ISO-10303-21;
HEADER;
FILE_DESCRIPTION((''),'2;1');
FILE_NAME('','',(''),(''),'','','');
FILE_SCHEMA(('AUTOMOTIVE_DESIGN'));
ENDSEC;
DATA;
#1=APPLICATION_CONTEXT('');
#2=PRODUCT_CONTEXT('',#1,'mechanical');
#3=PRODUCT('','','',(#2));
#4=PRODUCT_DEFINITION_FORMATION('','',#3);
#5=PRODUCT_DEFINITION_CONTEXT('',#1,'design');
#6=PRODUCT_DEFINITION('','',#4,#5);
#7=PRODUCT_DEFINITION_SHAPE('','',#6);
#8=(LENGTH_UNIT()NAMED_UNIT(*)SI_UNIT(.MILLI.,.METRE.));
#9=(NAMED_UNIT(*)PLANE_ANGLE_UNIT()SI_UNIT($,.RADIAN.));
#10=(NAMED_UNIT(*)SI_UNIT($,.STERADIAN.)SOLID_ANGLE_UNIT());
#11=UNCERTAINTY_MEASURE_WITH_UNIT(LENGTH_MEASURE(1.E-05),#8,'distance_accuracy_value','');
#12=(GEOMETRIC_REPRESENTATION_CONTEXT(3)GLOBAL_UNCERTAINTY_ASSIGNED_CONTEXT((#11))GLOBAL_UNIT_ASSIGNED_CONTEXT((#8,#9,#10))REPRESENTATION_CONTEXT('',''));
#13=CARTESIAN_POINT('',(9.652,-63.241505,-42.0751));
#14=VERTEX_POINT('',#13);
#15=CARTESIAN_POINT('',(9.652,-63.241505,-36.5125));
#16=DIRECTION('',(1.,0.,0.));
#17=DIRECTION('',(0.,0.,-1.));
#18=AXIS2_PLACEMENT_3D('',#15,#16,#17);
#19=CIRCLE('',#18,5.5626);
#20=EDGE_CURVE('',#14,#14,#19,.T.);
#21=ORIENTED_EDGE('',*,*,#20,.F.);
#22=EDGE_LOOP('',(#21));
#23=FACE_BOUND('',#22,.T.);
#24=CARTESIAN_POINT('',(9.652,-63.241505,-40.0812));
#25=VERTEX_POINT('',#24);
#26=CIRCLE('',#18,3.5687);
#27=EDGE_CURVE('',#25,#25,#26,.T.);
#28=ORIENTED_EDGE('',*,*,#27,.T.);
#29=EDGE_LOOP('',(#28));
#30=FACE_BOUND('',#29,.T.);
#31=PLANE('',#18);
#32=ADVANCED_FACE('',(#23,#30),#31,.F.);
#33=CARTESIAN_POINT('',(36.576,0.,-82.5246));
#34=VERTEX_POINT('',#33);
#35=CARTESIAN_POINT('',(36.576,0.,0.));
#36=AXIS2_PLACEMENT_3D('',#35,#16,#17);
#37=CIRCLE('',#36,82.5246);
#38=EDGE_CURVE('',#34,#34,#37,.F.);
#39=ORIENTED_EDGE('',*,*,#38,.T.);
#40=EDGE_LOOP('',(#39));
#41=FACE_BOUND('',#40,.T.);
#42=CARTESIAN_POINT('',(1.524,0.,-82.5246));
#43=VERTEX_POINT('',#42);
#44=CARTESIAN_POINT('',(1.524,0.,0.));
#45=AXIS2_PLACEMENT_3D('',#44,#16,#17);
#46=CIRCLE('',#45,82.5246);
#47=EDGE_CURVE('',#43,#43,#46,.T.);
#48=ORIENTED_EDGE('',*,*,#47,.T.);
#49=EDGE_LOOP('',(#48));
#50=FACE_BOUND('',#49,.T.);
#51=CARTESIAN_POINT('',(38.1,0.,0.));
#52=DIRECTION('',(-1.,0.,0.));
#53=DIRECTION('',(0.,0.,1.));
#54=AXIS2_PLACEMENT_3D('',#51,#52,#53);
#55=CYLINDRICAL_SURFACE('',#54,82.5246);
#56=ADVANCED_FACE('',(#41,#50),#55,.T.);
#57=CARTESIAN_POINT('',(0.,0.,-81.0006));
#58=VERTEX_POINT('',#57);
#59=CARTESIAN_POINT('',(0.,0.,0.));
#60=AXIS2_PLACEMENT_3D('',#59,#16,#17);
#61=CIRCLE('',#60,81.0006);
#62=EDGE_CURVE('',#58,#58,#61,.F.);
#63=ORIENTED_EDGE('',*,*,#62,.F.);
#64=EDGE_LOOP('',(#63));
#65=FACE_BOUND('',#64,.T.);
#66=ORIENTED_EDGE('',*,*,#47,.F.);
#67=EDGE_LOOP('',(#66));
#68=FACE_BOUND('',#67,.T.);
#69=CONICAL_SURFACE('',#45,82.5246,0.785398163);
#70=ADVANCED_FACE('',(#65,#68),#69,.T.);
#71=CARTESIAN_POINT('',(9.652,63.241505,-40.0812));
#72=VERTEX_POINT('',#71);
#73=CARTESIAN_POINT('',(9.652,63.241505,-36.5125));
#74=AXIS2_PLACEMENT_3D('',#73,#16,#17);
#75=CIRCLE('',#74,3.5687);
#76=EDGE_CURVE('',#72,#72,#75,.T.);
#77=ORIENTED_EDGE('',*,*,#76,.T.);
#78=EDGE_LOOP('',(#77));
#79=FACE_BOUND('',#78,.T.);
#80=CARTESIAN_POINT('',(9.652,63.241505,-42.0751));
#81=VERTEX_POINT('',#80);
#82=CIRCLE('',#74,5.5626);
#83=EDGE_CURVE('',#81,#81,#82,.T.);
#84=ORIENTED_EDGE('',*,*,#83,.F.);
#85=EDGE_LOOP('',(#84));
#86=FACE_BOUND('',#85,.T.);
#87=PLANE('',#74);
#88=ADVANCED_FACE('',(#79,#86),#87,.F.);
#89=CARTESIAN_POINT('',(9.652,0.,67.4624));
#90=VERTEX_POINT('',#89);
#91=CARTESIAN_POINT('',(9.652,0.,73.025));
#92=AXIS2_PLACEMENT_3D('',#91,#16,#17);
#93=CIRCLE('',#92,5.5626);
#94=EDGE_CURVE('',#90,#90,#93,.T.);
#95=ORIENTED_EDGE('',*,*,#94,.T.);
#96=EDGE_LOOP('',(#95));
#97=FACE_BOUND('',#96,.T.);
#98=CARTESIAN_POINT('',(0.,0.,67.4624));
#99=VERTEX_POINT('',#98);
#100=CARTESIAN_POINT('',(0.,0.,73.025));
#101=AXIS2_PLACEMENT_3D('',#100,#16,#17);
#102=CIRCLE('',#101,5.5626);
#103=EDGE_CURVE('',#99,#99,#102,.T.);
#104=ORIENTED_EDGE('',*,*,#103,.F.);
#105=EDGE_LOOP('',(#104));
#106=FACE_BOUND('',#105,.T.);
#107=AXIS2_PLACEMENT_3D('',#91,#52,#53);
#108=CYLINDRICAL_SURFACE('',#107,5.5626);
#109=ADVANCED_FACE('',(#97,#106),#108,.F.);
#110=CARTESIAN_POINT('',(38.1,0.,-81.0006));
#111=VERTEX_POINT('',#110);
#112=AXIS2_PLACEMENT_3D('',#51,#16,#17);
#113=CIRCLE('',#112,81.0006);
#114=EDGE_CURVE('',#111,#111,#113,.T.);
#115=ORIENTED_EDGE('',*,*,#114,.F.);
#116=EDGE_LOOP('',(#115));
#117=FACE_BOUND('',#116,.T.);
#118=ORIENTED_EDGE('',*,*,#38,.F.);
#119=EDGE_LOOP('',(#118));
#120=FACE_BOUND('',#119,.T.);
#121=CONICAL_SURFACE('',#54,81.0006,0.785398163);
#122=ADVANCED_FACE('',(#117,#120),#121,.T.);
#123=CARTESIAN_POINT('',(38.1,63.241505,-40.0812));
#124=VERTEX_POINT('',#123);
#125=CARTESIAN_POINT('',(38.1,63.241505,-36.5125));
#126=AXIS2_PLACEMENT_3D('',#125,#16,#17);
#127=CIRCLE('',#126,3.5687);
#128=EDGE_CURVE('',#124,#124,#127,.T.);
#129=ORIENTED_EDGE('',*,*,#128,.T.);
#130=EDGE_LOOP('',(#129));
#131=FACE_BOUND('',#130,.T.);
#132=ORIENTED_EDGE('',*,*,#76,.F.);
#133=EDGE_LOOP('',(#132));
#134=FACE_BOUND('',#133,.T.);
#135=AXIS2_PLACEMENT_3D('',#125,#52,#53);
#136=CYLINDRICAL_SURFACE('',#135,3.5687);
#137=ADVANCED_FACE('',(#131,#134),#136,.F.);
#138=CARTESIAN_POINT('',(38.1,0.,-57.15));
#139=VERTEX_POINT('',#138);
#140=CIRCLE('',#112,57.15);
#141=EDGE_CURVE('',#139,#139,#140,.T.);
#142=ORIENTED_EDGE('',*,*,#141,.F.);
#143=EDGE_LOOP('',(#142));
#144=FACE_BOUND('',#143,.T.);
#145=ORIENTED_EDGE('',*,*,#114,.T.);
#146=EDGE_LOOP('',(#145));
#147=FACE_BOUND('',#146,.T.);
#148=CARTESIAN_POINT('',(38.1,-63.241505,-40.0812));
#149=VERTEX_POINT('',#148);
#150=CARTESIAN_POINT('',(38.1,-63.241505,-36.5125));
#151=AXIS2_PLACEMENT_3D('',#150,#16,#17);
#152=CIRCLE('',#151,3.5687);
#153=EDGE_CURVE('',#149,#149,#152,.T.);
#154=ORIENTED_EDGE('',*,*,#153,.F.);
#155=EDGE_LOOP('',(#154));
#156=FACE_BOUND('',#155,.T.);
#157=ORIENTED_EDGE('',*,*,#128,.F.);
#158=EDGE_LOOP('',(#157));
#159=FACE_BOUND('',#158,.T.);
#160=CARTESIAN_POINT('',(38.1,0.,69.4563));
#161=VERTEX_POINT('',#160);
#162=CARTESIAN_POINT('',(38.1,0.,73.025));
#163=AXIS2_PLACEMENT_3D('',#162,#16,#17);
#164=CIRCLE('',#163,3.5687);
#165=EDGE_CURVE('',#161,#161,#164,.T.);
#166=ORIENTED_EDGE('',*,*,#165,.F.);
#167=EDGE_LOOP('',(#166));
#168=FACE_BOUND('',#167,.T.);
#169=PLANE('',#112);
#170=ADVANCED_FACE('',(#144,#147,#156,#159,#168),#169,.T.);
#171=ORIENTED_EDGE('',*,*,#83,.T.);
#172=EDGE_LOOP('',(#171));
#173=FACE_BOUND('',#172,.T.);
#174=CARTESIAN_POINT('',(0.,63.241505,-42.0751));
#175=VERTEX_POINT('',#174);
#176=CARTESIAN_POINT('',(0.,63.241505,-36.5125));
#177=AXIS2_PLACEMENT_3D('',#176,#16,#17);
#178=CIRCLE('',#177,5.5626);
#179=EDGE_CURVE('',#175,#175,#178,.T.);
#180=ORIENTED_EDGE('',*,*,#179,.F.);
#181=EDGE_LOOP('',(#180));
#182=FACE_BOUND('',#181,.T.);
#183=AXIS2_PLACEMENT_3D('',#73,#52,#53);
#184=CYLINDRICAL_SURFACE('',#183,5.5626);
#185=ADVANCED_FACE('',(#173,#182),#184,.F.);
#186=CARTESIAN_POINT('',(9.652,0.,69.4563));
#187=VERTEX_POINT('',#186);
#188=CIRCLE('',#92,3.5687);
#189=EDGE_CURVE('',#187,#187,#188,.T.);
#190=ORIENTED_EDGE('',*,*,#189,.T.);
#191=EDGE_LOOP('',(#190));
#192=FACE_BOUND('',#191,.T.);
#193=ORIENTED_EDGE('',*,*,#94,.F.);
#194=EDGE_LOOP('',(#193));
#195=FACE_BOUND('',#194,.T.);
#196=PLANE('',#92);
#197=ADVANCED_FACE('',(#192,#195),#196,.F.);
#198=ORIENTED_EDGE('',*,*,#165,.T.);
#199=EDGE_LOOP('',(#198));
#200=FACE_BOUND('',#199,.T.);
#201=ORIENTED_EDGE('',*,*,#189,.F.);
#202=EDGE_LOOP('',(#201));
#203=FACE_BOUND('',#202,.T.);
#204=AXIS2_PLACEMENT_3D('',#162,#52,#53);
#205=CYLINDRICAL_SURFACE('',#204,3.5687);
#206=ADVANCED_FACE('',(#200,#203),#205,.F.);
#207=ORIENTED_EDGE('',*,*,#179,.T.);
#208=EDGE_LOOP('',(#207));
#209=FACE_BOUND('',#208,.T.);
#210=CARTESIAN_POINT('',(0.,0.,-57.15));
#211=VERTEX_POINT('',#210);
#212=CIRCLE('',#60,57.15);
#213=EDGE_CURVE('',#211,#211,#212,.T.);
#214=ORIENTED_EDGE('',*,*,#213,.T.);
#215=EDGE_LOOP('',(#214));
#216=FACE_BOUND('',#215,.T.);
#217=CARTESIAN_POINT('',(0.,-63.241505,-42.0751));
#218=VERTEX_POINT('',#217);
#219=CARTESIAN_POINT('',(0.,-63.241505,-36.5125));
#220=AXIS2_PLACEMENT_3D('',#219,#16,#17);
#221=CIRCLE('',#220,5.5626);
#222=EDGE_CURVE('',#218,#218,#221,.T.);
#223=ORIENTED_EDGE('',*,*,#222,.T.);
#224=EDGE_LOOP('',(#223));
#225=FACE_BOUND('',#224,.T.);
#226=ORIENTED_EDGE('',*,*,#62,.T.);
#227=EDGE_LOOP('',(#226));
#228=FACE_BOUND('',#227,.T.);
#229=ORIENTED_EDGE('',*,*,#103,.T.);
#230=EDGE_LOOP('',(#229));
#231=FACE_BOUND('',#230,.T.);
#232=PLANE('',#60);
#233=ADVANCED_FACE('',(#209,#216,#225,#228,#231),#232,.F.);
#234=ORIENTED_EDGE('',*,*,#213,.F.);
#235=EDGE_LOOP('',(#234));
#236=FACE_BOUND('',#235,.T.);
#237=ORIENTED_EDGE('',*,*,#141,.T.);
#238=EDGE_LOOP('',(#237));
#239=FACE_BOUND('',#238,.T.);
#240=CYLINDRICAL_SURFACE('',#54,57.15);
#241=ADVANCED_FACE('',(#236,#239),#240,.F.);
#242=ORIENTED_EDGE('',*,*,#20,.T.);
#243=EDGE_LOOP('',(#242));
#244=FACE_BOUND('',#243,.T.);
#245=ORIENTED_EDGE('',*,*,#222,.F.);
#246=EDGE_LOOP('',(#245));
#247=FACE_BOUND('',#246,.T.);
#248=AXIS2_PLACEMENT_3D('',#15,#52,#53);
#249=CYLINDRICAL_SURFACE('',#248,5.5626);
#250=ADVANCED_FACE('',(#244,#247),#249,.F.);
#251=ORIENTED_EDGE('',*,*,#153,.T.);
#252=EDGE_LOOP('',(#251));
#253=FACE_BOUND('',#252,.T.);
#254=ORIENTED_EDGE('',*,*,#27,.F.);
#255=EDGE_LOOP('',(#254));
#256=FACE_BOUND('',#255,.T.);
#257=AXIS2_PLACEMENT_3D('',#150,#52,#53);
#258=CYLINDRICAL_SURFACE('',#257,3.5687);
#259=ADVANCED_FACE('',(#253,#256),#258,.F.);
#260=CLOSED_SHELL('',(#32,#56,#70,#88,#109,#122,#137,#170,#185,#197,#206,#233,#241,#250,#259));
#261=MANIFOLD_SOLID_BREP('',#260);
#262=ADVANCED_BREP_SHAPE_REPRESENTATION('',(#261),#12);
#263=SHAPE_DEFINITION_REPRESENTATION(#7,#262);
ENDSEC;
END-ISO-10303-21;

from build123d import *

# Parameters (mm, degrees)
SKETCH1_R           = 82.5246
BOSS_EXTRUDE1_DEPTH = 38.1
SKETCH2_R           = 57.15
CUT_EXTRUDE1_DEPTH  = 38.1
SKETCH3_R           = 3.5687
CUT_EXTRUDE3_DEPTH  = 123.769007532
SKETCH4_R           = 5.5626
CUT_EXTRUDE4_DEPTH  = 9.652
CHAMFER1_SIZE       = 1.524


with BuildPart() as part:
    # Sketch1 → Boss-Extrude1 (new body)
    with BuildSketch(Plane.YZ):
        with Locations(Location((0, 0, 0), (0, 0, 270))):
            Circle(SKETCH1_R)
    extrude(amount=BOSS_EXTRUDE1_DEPTH)

    # Sketch2 → Cut-Extrude1 (cut)
    with BuildSketch(Plane.YZ):
        with Locations(Location((0, 0, 0), (0, 0, 270))):
            Circle(SKETCH2_R)
    extrude(amount=CUT_EXTRUDE1_DEPTH, mode=Mode.SUBTRACT)

    # Sketch3 → Cut-Extrude3 (cut, through all)
    with BuildSketch(Plane.YZ):
        with Locations(Location((0, 73.025, 0), (0, 0, 270))):
            Circle(SKETCH3_R)
        with Locations(Location((-63.241505111, -36.5125, 0), (0, 0, 270))):
            Circle(SKETCH3_R)
        with Locations(Location((63.241505111, -36.5125, 0), (0, 0, 270))):
            Circle(SKETCH3_R)
    extrude(amount=CUT_EXTRUDE3_DEPTH, mode=Mode.SUBTRACT)

    # Sketch4 → Cut-Extrude4 (cut)
    with BuildSketch(Plane.YZ):
        with Locations(Location((0, 73.025, 0), (0, 0, 270))):
            Circle(SKETCH4_R)
        with Locations(Location((-63.241505111, -36.5125, 0), (0, 0, 270))):
            Circle(SKETCH4_R)
        with Locations(Location((63.241505111, -36.5125, 0), (0, 0, 270))):
            Circle(SKETCH4_R)
    extrude(amount=CUT_EXTRUDE4_DEPTH, mode=Mode.SUBTRACT)

    # Chamfer1
    chamfer1_edges = [part.edges().sort_by_distance(p)[0] for p in [
        (0, 0, 82.5246),
        (38.1, 0, 82.5246),
    ]]
    chamfer(chamfer1_edges, length=CHAMFER1_SIZE)


solid = part.part
